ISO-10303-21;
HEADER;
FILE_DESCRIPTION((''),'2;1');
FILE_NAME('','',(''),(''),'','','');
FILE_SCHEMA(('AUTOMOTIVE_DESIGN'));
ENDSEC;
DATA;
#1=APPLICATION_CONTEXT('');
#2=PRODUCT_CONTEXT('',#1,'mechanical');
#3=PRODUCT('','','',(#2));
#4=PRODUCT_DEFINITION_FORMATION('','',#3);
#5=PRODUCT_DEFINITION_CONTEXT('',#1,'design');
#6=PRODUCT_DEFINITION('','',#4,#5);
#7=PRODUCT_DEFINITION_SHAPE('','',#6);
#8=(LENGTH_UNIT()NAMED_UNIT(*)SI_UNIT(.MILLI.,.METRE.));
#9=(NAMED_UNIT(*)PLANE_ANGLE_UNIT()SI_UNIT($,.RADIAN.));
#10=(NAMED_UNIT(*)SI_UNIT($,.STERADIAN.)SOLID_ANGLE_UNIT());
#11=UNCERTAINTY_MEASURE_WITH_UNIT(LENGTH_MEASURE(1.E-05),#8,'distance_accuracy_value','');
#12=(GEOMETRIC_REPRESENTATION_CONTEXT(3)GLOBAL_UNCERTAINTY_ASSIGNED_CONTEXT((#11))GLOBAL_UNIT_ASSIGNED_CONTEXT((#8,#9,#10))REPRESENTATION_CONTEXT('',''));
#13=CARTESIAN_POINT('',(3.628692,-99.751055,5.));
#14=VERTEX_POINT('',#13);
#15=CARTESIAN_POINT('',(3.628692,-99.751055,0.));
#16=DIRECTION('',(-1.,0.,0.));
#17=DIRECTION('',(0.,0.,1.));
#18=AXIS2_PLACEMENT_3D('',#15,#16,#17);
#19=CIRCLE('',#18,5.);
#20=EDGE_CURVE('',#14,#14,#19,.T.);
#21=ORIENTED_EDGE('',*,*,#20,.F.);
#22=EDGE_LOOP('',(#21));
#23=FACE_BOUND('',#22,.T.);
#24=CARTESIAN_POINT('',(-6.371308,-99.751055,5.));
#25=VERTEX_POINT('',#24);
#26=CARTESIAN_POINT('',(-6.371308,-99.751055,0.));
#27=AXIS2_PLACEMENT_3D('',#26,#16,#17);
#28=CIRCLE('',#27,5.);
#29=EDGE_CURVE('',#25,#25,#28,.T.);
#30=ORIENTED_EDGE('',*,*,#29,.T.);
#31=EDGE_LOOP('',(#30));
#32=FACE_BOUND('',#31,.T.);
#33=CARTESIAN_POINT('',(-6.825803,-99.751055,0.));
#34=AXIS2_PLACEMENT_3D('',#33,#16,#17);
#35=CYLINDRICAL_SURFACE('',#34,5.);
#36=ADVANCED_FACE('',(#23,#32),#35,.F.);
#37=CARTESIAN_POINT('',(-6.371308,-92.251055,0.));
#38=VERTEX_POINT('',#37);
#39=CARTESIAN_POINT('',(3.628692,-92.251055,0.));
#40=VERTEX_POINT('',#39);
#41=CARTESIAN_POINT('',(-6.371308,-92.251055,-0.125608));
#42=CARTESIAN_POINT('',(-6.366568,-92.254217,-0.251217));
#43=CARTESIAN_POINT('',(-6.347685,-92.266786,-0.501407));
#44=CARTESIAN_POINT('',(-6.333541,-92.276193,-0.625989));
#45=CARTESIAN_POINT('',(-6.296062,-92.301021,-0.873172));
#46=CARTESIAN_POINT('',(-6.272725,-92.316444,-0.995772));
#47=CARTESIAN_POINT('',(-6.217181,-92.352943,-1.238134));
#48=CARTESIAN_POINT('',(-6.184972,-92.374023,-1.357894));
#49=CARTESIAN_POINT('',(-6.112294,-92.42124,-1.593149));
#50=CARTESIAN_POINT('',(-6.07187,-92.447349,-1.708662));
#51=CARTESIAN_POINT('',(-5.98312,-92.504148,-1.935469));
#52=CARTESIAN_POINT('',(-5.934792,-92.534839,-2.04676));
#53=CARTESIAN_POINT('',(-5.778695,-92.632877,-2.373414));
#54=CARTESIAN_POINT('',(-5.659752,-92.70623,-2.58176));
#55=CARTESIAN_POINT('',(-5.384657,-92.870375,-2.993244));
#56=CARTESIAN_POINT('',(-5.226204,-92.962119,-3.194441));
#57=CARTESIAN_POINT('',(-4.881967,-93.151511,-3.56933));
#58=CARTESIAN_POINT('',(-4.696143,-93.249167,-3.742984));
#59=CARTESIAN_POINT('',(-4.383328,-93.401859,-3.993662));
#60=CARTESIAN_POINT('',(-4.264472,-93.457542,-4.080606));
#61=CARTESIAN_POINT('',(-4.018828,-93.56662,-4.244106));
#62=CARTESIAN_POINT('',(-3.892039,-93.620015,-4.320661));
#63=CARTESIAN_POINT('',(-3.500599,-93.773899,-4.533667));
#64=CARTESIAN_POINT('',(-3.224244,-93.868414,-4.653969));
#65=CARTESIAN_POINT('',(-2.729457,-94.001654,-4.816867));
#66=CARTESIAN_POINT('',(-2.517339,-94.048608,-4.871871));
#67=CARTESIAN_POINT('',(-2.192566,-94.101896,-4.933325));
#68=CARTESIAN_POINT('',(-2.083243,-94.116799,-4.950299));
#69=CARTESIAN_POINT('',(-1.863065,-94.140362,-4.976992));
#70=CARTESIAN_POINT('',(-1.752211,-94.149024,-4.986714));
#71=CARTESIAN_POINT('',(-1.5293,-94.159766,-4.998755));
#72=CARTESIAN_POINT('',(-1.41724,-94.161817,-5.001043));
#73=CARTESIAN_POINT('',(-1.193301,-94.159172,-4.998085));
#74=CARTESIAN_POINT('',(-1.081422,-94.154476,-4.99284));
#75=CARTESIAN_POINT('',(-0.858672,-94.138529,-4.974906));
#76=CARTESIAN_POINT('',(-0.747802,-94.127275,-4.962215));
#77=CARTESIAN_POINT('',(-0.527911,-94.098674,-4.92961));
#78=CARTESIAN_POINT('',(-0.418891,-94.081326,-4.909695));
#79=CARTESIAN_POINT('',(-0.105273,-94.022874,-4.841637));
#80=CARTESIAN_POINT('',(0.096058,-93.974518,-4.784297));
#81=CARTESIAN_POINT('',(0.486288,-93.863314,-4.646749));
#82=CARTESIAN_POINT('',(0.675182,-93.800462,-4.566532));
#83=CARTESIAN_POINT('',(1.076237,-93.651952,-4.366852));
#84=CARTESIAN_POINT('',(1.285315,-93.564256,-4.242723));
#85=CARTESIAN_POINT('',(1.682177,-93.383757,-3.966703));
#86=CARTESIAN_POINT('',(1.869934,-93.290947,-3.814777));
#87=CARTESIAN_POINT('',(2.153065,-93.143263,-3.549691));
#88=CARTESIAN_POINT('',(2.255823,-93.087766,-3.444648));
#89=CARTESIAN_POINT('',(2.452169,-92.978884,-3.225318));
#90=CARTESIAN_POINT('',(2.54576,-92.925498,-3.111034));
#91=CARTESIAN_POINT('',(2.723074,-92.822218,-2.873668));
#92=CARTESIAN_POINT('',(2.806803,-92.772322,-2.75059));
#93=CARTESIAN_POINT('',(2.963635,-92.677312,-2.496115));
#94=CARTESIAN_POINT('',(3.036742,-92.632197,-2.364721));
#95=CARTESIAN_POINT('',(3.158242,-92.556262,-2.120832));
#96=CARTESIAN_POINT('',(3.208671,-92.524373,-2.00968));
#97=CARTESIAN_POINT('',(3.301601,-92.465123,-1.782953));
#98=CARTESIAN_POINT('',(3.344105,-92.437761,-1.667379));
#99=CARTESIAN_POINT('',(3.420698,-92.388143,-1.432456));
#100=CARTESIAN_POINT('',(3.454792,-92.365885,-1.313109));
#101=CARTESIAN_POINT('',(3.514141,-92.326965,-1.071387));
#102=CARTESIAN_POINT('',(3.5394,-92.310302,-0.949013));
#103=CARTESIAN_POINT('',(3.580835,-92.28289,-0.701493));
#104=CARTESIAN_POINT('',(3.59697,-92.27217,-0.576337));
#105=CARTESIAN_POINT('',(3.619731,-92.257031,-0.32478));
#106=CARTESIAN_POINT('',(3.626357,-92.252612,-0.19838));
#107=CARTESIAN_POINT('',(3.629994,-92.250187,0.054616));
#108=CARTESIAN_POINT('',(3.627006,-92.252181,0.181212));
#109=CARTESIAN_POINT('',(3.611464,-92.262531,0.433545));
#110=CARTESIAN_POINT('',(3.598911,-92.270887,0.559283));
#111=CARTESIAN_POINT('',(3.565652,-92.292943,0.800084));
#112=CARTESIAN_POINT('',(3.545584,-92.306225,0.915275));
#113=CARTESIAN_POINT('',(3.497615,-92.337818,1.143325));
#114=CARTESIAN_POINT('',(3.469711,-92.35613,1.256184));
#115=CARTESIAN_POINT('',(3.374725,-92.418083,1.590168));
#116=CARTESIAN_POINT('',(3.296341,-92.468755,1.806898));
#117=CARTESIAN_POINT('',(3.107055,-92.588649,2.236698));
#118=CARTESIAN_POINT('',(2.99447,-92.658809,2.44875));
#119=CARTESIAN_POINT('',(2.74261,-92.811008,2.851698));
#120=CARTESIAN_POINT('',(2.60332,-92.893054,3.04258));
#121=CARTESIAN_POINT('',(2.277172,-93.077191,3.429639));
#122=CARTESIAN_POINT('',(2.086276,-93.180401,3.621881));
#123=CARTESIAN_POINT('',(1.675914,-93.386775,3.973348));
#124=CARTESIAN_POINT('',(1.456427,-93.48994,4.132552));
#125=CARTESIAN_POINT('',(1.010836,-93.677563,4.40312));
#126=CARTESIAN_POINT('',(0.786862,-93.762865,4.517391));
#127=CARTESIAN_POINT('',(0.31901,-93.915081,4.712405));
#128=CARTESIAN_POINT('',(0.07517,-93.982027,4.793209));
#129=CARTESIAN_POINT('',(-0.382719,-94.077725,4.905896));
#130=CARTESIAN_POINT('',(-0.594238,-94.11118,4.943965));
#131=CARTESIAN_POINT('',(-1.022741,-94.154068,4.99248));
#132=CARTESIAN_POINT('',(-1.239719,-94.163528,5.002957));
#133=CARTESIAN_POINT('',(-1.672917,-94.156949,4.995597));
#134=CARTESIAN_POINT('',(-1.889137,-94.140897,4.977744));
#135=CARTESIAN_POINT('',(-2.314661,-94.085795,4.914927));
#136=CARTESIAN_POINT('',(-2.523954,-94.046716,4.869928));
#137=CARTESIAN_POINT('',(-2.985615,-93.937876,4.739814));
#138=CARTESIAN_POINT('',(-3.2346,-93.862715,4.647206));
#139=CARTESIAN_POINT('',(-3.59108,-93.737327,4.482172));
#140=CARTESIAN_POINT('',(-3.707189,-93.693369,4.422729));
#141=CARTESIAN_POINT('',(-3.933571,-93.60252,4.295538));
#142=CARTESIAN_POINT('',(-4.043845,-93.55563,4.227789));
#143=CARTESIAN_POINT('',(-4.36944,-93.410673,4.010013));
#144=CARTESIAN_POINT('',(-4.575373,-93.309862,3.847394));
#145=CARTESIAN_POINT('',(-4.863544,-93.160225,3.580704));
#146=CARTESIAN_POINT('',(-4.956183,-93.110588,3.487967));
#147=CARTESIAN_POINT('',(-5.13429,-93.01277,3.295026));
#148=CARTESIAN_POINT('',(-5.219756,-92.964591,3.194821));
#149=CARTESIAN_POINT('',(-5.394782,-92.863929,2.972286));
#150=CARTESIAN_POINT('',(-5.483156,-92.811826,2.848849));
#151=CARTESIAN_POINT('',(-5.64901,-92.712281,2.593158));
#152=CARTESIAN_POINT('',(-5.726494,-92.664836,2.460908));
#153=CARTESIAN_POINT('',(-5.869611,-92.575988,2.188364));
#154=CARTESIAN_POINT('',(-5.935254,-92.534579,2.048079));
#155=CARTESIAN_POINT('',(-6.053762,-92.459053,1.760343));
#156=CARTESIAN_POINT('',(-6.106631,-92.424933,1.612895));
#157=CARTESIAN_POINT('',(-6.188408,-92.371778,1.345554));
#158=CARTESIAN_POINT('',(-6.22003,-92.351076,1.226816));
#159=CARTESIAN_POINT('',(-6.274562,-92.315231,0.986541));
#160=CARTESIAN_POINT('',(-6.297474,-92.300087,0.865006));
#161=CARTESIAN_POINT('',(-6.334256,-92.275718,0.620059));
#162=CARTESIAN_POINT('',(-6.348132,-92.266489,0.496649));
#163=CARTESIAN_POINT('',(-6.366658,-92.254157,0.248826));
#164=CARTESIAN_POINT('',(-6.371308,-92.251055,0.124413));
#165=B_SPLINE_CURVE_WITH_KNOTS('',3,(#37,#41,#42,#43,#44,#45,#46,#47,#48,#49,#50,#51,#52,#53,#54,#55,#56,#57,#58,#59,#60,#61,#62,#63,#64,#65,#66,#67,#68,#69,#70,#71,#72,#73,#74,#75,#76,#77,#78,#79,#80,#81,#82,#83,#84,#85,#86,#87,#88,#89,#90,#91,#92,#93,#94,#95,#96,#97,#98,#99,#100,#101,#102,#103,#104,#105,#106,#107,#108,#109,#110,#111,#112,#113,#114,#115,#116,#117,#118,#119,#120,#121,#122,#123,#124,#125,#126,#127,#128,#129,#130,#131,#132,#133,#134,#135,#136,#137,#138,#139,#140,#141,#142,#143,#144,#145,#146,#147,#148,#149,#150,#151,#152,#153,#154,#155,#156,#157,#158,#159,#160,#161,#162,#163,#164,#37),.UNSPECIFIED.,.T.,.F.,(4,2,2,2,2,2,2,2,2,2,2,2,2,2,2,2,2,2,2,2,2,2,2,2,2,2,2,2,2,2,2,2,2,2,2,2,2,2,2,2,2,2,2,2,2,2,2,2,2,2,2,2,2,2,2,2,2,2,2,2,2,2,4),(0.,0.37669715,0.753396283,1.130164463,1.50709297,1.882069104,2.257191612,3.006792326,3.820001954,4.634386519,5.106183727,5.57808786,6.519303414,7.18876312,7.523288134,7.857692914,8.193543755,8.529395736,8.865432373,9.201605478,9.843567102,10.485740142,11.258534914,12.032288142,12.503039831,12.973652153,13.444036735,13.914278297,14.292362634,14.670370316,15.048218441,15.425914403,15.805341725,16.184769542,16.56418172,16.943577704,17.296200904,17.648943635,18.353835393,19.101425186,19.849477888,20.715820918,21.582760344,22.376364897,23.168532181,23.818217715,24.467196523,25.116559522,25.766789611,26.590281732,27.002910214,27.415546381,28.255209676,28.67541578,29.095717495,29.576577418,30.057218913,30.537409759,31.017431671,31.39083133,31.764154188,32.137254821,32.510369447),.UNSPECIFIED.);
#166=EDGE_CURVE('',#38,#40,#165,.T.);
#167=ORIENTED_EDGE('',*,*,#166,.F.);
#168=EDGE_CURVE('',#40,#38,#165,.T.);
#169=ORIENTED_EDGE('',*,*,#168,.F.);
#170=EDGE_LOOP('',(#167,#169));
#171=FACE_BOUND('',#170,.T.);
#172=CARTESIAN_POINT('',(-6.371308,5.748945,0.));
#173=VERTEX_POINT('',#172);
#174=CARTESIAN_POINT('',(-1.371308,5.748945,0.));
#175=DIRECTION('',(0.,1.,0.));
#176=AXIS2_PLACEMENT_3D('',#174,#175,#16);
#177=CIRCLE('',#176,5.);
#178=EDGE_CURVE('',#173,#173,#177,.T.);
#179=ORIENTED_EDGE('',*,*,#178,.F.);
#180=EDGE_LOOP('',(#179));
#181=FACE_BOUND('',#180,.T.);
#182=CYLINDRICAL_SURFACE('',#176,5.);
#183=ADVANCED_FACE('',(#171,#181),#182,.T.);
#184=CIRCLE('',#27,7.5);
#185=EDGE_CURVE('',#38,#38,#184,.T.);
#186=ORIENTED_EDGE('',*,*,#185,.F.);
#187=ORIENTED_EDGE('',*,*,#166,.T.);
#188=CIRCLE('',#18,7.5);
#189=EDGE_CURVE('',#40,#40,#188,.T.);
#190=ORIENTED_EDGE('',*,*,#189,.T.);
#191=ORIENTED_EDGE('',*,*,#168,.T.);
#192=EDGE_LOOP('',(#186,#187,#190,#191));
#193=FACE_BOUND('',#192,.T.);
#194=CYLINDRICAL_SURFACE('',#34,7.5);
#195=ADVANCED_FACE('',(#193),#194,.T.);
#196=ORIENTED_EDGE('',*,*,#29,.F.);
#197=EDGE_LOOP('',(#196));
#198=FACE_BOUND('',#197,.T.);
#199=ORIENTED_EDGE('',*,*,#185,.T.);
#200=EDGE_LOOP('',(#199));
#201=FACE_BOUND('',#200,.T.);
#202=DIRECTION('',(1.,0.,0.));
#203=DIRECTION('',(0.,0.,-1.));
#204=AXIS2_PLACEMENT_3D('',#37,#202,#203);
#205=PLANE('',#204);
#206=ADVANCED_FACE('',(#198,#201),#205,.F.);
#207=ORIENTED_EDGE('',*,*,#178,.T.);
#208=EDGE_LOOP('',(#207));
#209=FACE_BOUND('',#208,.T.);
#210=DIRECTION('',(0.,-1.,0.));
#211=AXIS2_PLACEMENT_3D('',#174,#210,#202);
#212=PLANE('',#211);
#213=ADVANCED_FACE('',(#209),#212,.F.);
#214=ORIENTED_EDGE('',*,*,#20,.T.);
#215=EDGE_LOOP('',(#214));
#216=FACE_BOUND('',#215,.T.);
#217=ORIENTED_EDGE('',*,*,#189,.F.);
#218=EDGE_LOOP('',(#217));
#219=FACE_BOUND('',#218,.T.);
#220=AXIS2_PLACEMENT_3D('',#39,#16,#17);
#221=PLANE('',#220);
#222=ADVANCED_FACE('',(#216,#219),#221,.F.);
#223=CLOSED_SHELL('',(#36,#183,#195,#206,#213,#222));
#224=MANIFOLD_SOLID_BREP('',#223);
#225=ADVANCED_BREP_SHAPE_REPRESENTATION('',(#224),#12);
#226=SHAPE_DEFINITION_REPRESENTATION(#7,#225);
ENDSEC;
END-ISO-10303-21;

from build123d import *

# Parameters (mm, degrees)
SKETCH1_W = 5
SKETCH1_H = 100
SKETCH3_W = 10
SKETCH3_H = 2.5


with BuildPart() as part:
    # Sketch1 → Revolve1 (revolve)
    with BuildSketch(Plane.XY, mode=Mode.PRIVATE) as revolve1_sk:
        with Locations((1.128691983, -44.251054852)):
            Rectangle(SKETCH1_W, SKETCH1_H)
    revolve(revolve1_sk.sketch.rotate(Axis((-1.371308017, 5.748945148, 0), (0, -1, 0)), 180), axis=Axis((-1.371308017, 5.748945148, 0), (0, -1, 0)))

    # Sketch3 → Revolve2 (revolve)
    with BuildSketch(Plane.XY, mode=Mode.PRIVATE) as revolve2_sk:
        with Locations((-1.371308017, -93.501054852)):
            Rectangle(SKETCH3_W, SKETCH3_H)
    revolve(revolve2_sk.sketch.rotate(Axis((-6.825803424, -99.751054852, 0), (1, 0, 0)), 90), axis=Axis((-6.825803424, -99.751054852, 0), (1, 0, 0)))


solid = part.part
